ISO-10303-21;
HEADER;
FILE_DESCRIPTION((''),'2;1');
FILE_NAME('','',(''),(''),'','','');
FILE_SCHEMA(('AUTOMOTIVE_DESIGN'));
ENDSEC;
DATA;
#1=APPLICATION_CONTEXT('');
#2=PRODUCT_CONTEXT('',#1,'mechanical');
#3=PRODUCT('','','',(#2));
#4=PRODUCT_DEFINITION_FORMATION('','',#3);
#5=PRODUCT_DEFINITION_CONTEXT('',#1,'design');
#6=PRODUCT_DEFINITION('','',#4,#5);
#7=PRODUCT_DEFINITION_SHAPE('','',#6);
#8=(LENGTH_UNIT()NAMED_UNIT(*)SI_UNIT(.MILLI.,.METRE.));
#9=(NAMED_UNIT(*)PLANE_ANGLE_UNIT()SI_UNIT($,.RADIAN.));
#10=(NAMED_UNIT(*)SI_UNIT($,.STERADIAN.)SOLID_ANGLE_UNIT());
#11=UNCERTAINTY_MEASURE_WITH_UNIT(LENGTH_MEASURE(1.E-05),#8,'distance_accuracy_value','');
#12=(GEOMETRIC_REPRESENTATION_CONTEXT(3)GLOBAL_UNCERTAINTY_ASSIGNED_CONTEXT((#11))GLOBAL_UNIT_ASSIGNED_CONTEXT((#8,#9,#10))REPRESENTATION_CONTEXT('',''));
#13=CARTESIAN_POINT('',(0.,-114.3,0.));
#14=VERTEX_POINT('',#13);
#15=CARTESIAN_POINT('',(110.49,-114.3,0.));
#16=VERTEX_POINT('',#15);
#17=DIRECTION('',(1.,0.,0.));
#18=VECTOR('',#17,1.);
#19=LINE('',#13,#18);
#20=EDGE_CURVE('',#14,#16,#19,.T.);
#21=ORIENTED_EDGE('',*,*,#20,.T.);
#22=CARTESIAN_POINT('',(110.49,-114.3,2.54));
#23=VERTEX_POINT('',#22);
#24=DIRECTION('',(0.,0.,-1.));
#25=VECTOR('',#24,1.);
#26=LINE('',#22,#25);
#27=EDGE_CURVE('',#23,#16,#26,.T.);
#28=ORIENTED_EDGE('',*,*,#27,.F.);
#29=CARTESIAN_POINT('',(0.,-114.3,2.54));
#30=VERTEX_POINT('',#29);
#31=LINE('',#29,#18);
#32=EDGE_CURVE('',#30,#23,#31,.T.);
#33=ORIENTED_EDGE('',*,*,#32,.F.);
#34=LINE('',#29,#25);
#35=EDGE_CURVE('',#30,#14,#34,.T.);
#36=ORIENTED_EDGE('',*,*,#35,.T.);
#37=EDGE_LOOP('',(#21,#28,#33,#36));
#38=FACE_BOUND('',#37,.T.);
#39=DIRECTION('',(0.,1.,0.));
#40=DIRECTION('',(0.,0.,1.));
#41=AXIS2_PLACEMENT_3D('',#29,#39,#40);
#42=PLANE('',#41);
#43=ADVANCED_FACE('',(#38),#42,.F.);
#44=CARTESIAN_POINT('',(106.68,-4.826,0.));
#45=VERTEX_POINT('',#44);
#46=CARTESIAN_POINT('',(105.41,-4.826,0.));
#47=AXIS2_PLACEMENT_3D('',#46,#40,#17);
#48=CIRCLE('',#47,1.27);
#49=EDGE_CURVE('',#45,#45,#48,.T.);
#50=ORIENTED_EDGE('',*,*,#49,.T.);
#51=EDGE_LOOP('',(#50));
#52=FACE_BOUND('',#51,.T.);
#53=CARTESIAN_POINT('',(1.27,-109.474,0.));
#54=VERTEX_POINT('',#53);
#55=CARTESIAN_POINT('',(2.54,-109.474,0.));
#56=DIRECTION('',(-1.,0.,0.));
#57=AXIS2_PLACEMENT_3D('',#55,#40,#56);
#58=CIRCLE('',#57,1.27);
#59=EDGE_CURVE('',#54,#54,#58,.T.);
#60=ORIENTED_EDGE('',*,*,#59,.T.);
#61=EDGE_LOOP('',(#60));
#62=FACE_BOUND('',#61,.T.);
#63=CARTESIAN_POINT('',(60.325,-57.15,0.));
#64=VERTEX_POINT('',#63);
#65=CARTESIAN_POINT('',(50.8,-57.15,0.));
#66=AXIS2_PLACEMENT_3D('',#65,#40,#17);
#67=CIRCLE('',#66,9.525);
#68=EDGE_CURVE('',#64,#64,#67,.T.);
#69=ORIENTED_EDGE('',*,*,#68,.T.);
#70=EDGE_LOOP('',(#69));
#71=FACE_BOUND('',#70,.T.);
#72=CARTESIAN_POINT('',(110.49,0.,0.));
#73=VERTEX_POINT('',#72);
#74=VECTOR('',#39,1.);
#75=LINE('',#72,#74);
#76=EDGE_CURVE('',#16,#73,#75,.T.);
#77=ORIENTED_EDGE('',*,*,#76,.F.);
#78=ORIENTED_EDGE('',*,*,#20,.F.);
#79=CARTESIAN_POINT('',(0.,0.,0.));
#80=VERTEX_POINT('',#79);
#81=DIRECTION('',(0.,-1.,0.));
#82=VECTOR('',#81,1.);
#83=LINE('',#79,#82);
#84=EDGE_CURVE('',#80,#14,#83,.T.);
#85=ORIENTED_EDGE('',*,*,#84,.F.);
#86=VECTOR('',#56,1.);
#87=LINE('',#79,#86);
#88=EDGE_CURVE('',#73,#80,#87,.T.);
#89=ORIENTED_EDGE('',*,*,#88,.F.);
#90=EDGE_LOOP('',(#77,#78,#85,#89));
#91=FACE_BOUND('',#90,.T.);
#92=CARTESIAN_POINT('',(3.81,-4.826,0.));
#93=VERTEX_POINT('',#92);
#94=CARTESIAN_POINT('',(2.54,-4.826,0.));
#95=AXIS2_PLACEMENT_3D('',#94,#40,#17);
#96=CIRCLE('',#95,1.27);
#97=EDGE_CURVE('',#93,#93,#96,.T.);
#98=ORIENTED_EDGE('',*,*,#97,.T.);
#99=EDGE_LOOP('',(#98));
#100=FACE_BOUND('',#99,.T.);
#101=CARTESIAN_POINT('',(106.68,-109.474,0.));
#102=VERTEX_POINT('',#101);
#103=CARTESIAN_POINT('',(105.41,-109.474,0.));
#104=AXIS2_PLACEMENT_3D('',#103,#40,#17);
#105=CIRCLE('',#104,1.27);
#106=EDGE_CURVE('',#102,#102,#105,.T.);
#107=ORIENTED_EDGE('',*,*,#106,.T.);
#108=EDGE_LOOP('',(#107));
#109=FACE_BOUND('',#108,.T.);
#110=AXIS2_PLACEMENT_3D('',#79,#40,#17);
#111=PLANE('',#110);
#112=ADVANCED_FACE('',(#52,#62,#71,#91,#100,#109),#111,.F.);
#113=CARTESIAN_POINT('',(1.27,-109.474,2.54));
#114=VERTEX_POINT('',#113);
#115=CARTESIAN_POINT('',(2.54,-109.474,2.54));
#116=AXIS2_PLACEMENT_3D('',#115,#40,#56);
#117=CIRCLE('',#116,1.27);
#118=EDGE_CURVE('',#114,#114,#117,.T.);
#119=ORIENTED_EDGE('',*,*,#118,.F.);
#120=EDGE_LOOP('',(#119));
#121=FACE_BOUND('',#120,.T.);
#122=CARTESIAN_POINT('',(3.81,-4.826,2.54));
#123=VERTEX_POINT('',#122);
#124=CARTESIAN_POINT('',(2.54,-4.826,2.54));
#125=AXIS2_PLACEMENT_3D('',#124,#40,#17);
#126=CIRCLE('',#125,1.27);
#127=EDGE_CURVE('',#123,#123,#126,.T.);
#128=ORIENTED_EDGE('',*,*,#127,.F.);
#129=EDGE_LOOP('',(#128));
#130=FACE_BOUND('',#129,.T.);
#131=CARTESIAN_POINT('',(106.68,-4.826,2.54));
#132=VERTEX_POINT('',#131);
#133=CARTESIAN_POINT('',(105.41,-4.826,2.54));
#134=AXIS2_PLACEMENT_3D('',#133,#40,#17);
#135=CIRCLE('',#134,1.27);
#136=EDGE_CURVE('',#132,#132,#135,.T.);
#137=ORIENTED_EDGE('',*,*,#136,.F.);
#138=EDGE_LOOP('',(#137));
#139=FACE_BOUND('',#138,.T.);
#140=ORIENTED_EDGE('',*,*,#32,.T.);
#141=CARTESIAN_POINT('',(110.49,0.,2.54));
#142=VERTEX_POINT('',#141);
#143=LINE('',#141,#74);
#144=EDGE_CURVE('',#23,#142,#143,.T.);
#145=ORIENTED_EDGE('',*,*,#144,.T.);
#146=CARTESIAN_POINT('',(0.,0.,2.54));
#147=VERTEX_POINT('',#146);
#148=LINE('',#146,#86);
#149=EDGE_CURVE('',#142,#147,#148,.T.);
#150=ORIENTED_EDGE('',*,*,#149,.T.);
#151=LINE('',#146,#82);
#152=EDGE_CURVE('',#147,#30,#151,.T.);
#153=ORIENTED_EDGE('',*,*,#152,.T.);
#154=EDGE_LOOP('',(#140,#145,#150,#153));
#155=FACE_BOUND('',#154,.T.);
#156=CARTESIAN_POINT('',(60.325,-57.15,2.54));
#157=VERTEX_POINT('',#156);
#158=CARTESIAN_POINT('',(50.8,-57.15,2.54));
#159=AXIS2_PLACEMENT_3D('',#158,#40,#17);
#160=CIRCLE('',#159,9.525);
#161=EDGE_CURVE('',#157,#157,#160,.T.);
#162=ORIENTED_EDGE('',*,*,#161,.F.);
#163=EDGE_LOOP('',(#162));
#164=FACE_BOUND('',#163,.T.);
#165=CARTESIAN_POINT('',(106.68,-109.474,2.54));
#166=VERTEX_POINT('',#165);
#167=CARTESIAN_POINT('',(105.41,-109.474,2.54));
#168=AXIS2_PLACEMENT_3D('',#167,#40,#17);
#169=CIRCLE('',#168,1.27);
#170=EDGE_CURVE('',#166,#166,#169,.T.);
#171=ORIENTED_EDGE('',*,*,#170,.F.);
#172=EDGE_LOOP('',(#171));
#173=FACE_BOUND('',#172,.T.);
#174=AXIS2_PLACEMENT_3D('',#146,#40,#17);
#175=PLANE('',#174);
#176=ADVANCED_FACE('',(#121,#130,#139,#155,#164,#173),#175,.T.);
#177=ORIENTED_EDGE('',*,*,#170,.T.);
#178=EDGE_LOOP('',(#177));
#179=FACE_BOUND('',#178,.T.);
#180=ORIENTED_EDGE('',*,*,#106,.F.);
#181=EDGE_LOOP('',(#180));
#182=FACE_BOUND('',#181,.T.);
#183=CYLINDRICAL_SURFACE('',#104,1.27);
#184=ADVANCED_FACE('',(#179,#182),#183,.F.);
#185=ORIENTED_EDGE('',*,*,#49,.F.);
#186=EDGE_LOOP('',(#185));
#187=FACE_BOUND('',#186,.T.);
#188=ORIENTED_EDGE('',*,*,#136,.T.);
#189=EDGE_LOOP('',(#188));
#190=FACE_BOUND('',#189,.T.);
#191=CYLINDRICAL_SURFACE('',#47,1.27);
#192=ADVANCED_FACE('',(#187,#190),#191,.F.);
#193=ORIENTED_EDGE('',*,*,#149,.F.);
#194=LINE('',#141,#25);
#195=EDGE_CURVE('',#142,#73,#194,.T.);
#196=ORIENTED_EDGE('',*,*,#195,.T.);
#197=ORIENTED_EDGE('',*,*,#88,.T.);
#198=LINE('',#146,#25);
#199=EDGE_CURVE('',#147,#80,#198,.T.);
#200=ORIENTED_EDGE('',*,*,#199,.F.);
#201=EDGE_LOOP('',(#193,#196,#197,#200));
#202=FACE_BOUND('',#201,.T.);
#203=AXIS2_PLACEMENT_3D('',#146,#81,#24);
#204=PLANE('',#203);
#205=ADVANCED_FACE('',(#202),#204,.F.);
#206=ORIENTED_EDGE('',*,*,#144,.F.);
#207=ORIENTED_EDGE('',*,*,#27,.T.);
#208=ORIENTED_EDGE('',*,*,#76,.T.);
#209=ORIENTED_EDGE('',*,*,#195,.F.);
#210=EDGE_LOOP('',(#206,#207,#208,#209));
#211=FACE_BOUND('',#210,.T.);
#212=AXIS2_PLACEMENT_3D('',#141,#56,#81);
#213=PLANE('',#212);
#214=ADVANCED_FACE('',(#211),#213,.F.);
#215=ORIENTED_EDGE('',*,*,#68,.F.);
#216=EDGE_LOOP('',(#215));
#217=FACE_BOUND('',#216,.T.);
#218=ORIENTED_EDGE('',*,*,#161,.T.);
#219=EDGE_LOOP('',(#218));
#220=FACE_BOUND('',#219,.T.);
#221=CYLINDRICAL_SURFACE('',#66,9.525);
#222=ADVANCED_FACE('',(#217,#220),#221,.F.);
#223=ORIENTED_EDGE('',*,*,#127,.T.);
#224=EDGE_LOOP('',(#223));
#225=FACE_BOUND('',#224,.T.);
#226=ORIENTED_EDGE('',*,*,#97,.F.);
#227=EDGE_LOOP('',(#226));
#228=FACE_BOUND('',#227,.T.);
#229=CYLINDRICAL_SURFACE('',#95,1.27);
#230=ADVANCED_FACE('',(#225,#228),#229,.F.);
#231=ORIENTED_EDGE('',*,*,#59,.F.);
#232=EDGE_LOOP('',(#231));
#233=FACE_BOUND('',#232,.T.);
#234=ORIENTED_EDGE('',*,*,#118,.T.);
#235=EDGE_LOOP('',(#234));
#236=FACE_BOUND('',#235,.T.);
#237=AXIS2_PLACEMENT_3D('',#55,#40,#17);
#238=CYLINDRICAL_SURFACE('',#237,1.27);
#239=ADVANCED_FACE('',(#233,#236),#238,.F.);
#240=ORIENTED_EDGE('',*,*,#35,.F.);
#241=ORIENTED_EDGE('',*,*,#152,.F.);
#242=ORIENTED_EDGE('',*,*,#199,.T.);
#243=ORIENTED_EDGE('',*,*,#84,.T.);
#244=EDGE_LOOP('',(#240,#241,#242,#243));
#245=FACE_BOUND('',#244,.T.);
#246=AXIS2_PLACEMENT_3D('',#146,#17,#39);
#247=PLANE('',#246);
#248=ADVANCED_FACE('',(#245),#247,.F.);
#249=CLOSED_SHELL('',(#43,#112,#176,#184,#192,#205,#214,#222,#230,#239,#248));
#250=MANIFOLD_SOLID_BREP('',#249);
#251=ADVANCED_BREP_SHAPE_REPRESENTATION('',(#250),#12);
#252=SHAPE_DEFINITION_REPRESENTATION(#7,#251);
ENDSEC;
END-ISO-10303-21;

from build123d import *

# Parameters (mm, degrees)
SKETCH1_W           = 110.49
SKETCH1_H           = 114.3
BOSS_EXTRUDE1_DEPTH = 2.54
SKETCH2_R           = 9.525
CUT_EXTRUDE1_DEPTH  = 2.54
SKETCH3_R           = 1.27
CUT_EXTRUDE2_DEPTH  = 159.993653018


with BuildPart() as part:
    # Sketch1 → Boss-Extrude1 (new body)
    with BuildSketch(Plane.XY):
        with Locations((55.245, -57.15)):
            Rectangle(SKETCH1_W, SKETCH1_H)
    extrude(amount=BOSS_EXTRUDE1_DEPTH)

    # Sketch2 → Cut-Extrude1 (cut)
    with BuildSketch(Plane.XY.offset(2.54)):
        with Locations((50.8, -57.15)):
            Circle(SKETCH2_R)
    extrude(amount=-CUT_EXTRUDE1_DEPTH, mode=Mode.SUBTRACT)

    # Sketch3 → Cut-Extrude2 (cut, through all)
    with BuildSketch(Plane.XY.offset(2.54)):
        with Locations((2.54, -4.826)):
            Circle(SKETCH3_R)
        with Locations(Location((2.54, -109.474, 0), (0, 0, 180))):
            Circle(SKETCH3_R)
        with Locations((105.41, -4.826)):
            Circle(SKETCH3_R)
        with Locations((105.41, -109.474)):
            Circle(SKETCH3_R)
    extrude(amount=-CUT_EXTRUDE2_DEPTH, mode=Mode.SUBTRACT)


solid = part.part
